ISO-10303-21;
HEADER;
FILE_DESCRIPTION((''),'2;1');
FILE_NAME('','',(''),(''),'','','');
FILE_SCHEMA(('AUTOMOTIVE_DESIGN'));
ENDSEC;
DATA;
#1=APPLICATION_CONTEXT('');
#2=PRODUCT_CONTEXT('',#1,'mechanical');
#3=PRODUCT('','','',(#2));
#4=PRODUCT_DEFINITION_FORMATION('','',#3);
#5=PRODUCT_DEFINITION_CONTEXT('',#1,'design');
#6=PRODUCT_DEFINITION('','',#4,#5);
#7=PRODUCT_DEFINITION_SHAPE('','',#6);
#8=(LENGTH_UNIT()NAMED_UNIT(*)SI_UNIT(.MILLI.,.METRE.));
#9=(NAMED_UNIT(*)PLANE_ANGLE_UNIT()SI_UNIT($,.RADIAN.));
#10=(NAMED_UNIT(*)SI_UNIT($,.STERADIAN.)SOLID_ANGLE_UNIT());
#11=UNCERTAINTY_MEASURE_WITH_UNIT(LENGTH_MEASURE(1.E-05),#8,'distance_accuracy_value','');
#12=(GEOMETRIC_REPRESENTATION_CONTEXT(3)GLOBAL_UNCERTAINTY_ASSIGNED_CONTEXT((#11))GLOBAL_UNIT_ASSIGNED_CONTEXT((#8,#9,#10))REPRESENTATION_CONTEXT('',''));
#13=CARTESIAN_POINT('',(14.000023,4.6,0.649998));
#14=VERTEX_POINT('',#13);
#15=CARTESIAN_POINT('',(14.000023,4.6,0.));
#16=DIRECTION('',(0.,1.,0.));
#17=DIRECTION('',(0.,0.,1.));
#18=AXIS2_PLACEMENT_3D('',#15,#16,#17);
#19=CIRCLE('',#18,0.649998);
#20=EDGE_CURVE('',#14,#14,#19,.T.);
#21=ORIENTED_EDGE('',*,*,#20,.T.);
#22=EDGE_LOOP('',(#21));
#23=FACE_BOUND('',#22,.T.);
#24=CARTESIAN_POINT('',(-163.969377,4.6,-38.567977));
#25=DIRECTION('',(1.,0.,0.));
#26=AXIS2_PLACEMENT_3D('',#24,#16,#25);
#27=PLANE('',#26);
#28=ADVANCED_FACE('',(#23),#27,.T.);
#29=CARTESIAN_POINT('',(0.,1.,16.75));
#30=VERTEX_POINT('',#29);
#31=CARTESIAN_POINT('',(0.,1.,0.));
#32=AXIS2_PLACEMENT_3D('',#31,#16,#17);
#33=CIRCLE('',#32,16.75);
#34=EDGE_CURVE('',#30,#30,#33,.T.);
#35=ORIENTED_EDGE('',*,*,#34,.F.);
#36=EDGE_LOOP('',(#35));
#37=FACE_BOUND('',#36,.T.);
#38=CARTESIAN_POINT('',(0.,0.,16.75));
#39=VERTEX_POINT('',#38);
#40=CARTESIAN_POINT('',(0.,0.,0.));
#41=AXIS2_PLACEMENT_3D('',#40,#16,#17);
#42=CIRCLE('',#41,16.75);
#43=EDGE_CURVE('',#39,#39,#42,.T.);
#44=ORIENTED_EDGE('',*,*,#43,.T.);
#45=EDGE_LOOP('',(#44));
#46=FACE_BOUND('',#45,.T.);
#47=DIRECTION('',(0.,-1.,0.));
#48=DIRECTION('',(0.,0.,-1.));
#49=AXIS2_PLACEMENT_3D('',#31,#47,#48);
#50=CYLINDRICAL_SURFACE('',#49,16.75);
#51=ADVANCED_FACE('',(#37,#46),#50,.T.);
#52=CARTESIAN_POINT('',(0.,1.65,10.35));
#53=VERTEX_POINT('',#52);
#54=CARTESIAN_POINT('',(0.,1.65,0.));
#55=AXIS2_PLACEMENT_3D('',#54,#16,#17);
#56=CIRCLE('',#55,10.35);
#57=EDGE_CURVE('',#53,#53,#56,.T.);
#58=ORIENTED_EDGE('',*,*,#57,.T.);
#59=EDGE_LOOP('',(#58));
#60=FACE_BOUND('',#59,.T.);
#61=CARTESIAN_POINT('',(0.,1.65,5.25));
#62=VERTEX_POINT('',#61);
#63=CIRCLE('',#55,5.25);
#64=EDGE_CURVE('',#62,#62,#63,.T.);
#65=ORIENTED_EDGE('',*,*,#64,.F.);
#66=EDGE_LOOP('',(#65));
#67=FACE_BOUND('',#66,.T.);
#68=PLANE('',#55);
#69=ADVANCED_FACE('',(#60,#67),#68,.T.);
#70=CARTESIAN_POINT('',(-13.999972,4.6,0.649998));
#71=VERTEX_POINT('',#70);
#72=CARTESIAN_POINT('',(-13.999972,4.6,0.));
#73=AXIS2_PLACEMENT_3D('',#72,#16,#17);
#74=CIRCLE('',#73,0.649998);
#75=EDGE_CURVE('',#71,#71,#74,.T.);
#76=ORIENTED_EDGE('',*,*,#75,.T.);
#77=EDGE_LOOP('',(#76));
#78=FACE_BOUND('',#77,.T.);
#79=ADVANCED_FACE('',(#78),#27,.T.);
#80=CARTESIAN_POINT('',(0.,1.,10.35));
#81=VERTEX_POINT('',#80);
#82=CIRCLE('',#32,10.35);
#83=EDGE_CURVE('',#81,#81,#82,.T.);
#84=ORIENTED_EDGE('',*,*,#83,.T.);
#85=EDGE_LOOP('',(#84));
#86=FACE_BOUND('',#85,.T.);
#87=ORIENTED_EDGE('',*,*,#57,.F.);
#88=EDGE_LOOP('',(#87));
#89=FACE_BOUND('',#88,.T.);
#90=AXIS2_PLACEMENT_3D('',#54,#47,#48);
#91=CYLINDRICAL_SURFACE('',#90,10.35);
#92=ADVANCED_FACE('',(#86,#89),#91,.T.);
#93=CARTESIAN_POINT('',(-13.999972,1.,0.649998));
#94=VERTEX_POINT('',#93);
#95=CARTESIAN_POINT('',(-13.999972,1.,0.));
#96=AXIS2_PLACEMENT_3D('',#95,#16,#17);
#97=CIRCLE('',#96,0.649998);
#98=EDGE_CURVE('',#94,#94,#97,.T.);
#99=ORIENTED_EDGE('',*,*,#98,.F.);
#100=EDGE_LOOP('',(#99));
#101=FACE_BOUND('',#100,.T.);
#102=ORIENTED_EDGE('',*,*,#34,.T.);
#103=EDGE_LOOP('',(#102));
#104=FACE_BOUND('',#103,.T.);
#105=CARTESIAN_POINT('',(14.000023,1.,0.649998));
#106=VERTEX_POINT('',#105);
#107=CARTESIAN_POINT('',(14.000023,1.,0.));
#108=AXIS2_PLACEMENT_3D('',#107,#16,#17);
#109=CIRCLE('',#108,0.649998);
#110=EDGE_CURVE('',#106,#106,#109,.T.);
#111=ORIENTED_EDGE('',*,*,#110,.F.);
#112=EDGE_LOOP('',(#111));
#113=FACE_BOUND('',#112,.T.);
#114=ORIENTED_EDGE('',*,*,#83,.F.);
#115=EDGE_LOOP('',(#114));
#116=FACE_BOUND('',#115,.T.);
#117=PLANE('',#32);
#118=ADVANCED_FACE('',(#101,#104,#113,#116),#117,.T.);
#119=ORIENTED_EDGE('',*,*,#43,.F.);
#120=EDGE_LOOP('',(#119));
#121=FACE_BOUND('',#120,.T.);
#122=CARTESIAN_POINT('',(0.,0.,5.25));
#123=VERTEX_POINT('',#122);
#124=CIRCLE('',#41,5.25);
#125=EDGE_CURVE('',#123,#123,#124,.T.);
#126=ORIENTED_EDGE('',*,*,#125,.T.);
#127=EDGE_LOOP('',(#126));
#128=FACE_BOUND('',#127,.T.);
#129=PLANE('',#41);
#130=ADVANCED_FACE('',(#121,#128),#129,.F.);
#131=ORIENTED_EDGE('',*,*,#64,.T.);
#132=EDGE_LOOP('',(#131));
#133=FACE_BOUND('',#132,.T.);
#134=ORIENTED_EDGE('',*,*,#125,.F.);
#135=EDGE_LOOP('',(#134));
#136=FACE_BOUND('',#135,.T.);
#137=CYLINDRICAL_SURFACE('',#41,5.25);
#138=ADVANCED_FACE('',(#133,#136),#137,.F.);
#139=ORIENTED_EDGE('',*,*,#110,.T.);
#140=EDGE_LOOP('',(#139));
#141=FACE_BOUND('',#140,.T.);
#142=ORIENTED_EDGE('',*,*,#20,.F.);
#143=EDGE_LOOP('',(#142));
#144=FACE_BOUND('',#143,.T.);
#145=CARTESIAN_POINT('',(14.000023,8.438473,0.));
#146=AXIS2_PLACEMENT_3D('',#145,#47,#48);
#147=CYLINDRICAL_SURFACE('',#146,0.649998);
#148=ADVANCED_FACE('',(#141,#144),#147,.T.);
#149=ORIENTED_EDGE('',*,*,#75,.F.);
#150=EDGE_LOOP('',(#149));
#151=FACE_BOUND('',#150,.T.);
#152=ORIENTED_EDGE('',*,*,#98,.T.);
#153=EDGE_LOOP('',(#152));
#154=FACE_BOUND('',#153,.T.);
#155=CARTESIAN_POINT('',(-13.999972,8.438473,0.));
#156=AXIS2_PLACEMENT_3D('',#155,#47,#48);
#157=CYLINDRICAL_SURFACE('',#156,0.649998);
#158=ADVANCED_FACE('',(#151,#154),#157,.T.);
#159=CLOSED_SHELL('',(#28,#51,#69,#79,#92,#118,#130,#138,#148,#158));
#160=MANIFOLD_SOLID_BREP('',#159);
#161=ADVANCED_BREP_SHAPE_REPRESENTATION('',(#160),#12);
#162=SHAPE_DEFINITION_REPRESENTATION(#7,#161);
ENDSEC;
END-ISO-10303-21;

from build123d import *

# Parameters (mm, degrees)
SKETCH_1_R          = 16.75
EXTRUDE_1_DEPTH     = 1
SKETCH_2_R          = 10.35
EXTRUDE_2_DEPTH     = 0.65
SKETCH_3_R          = 5.25
CUT_EXTRUDE_1_DEPTH = 2.65
SKETCH_4_R          = 0.6499985
EXTRUDE_3_DEPTH     = 3.6


with BuildPart() as part:
    # Эскиз1 → Бобышка-Вытянуть1 (new body)
    with BuildSketch(Plane(origin=(0, 0, 0), x_dir=(1, 0, 0), z_dir=(0, 1, 0))):
        Circle(SKETCH_1_R)
    extrude(amount=EXTRUDE_1_DEPTH)

    # Эскиз2 → Бобышка-Вытянуть2 (add)
    with BuildSketch(Plane(origin=(0, 1, 0), x_dir=(1, 0, 0), z_dir=(0, 1, 0))):
        Circle(SKETCH_2_R)
    extrude(amount=EXTRUDE_2_DEPTH)

    # Эскиз3 → Вырез-Вытянуть1 (cut, through all)
    with BuildSketch(Plane(origin=(0, 1.65, 0), x_dir=(1, 0, 0), z_dir=(0, 1, 0))):
        Circle(SKETCH_3_R)
    extrude(amount=-CUT_EXTRUDE_1_DEPTH, mode=Mode.SUBTRACT)

    # Эскиз4 → Бобышка-Вытянуть3 (add)
    with BuildSketch(Plane(origin=(0, 1, 0), x_dir=(1, 0, 0), z_dir=(0, 1, 0))):
        with Locations((14.0000228, 0)):
            Circle(SKETCH_4_R)
        with Locations((-13.999972, 0)):
            Circle(SKETCH_4_R)
    extrude(amount=EXTRUDE_3_DEPTH)


solid = part.part
